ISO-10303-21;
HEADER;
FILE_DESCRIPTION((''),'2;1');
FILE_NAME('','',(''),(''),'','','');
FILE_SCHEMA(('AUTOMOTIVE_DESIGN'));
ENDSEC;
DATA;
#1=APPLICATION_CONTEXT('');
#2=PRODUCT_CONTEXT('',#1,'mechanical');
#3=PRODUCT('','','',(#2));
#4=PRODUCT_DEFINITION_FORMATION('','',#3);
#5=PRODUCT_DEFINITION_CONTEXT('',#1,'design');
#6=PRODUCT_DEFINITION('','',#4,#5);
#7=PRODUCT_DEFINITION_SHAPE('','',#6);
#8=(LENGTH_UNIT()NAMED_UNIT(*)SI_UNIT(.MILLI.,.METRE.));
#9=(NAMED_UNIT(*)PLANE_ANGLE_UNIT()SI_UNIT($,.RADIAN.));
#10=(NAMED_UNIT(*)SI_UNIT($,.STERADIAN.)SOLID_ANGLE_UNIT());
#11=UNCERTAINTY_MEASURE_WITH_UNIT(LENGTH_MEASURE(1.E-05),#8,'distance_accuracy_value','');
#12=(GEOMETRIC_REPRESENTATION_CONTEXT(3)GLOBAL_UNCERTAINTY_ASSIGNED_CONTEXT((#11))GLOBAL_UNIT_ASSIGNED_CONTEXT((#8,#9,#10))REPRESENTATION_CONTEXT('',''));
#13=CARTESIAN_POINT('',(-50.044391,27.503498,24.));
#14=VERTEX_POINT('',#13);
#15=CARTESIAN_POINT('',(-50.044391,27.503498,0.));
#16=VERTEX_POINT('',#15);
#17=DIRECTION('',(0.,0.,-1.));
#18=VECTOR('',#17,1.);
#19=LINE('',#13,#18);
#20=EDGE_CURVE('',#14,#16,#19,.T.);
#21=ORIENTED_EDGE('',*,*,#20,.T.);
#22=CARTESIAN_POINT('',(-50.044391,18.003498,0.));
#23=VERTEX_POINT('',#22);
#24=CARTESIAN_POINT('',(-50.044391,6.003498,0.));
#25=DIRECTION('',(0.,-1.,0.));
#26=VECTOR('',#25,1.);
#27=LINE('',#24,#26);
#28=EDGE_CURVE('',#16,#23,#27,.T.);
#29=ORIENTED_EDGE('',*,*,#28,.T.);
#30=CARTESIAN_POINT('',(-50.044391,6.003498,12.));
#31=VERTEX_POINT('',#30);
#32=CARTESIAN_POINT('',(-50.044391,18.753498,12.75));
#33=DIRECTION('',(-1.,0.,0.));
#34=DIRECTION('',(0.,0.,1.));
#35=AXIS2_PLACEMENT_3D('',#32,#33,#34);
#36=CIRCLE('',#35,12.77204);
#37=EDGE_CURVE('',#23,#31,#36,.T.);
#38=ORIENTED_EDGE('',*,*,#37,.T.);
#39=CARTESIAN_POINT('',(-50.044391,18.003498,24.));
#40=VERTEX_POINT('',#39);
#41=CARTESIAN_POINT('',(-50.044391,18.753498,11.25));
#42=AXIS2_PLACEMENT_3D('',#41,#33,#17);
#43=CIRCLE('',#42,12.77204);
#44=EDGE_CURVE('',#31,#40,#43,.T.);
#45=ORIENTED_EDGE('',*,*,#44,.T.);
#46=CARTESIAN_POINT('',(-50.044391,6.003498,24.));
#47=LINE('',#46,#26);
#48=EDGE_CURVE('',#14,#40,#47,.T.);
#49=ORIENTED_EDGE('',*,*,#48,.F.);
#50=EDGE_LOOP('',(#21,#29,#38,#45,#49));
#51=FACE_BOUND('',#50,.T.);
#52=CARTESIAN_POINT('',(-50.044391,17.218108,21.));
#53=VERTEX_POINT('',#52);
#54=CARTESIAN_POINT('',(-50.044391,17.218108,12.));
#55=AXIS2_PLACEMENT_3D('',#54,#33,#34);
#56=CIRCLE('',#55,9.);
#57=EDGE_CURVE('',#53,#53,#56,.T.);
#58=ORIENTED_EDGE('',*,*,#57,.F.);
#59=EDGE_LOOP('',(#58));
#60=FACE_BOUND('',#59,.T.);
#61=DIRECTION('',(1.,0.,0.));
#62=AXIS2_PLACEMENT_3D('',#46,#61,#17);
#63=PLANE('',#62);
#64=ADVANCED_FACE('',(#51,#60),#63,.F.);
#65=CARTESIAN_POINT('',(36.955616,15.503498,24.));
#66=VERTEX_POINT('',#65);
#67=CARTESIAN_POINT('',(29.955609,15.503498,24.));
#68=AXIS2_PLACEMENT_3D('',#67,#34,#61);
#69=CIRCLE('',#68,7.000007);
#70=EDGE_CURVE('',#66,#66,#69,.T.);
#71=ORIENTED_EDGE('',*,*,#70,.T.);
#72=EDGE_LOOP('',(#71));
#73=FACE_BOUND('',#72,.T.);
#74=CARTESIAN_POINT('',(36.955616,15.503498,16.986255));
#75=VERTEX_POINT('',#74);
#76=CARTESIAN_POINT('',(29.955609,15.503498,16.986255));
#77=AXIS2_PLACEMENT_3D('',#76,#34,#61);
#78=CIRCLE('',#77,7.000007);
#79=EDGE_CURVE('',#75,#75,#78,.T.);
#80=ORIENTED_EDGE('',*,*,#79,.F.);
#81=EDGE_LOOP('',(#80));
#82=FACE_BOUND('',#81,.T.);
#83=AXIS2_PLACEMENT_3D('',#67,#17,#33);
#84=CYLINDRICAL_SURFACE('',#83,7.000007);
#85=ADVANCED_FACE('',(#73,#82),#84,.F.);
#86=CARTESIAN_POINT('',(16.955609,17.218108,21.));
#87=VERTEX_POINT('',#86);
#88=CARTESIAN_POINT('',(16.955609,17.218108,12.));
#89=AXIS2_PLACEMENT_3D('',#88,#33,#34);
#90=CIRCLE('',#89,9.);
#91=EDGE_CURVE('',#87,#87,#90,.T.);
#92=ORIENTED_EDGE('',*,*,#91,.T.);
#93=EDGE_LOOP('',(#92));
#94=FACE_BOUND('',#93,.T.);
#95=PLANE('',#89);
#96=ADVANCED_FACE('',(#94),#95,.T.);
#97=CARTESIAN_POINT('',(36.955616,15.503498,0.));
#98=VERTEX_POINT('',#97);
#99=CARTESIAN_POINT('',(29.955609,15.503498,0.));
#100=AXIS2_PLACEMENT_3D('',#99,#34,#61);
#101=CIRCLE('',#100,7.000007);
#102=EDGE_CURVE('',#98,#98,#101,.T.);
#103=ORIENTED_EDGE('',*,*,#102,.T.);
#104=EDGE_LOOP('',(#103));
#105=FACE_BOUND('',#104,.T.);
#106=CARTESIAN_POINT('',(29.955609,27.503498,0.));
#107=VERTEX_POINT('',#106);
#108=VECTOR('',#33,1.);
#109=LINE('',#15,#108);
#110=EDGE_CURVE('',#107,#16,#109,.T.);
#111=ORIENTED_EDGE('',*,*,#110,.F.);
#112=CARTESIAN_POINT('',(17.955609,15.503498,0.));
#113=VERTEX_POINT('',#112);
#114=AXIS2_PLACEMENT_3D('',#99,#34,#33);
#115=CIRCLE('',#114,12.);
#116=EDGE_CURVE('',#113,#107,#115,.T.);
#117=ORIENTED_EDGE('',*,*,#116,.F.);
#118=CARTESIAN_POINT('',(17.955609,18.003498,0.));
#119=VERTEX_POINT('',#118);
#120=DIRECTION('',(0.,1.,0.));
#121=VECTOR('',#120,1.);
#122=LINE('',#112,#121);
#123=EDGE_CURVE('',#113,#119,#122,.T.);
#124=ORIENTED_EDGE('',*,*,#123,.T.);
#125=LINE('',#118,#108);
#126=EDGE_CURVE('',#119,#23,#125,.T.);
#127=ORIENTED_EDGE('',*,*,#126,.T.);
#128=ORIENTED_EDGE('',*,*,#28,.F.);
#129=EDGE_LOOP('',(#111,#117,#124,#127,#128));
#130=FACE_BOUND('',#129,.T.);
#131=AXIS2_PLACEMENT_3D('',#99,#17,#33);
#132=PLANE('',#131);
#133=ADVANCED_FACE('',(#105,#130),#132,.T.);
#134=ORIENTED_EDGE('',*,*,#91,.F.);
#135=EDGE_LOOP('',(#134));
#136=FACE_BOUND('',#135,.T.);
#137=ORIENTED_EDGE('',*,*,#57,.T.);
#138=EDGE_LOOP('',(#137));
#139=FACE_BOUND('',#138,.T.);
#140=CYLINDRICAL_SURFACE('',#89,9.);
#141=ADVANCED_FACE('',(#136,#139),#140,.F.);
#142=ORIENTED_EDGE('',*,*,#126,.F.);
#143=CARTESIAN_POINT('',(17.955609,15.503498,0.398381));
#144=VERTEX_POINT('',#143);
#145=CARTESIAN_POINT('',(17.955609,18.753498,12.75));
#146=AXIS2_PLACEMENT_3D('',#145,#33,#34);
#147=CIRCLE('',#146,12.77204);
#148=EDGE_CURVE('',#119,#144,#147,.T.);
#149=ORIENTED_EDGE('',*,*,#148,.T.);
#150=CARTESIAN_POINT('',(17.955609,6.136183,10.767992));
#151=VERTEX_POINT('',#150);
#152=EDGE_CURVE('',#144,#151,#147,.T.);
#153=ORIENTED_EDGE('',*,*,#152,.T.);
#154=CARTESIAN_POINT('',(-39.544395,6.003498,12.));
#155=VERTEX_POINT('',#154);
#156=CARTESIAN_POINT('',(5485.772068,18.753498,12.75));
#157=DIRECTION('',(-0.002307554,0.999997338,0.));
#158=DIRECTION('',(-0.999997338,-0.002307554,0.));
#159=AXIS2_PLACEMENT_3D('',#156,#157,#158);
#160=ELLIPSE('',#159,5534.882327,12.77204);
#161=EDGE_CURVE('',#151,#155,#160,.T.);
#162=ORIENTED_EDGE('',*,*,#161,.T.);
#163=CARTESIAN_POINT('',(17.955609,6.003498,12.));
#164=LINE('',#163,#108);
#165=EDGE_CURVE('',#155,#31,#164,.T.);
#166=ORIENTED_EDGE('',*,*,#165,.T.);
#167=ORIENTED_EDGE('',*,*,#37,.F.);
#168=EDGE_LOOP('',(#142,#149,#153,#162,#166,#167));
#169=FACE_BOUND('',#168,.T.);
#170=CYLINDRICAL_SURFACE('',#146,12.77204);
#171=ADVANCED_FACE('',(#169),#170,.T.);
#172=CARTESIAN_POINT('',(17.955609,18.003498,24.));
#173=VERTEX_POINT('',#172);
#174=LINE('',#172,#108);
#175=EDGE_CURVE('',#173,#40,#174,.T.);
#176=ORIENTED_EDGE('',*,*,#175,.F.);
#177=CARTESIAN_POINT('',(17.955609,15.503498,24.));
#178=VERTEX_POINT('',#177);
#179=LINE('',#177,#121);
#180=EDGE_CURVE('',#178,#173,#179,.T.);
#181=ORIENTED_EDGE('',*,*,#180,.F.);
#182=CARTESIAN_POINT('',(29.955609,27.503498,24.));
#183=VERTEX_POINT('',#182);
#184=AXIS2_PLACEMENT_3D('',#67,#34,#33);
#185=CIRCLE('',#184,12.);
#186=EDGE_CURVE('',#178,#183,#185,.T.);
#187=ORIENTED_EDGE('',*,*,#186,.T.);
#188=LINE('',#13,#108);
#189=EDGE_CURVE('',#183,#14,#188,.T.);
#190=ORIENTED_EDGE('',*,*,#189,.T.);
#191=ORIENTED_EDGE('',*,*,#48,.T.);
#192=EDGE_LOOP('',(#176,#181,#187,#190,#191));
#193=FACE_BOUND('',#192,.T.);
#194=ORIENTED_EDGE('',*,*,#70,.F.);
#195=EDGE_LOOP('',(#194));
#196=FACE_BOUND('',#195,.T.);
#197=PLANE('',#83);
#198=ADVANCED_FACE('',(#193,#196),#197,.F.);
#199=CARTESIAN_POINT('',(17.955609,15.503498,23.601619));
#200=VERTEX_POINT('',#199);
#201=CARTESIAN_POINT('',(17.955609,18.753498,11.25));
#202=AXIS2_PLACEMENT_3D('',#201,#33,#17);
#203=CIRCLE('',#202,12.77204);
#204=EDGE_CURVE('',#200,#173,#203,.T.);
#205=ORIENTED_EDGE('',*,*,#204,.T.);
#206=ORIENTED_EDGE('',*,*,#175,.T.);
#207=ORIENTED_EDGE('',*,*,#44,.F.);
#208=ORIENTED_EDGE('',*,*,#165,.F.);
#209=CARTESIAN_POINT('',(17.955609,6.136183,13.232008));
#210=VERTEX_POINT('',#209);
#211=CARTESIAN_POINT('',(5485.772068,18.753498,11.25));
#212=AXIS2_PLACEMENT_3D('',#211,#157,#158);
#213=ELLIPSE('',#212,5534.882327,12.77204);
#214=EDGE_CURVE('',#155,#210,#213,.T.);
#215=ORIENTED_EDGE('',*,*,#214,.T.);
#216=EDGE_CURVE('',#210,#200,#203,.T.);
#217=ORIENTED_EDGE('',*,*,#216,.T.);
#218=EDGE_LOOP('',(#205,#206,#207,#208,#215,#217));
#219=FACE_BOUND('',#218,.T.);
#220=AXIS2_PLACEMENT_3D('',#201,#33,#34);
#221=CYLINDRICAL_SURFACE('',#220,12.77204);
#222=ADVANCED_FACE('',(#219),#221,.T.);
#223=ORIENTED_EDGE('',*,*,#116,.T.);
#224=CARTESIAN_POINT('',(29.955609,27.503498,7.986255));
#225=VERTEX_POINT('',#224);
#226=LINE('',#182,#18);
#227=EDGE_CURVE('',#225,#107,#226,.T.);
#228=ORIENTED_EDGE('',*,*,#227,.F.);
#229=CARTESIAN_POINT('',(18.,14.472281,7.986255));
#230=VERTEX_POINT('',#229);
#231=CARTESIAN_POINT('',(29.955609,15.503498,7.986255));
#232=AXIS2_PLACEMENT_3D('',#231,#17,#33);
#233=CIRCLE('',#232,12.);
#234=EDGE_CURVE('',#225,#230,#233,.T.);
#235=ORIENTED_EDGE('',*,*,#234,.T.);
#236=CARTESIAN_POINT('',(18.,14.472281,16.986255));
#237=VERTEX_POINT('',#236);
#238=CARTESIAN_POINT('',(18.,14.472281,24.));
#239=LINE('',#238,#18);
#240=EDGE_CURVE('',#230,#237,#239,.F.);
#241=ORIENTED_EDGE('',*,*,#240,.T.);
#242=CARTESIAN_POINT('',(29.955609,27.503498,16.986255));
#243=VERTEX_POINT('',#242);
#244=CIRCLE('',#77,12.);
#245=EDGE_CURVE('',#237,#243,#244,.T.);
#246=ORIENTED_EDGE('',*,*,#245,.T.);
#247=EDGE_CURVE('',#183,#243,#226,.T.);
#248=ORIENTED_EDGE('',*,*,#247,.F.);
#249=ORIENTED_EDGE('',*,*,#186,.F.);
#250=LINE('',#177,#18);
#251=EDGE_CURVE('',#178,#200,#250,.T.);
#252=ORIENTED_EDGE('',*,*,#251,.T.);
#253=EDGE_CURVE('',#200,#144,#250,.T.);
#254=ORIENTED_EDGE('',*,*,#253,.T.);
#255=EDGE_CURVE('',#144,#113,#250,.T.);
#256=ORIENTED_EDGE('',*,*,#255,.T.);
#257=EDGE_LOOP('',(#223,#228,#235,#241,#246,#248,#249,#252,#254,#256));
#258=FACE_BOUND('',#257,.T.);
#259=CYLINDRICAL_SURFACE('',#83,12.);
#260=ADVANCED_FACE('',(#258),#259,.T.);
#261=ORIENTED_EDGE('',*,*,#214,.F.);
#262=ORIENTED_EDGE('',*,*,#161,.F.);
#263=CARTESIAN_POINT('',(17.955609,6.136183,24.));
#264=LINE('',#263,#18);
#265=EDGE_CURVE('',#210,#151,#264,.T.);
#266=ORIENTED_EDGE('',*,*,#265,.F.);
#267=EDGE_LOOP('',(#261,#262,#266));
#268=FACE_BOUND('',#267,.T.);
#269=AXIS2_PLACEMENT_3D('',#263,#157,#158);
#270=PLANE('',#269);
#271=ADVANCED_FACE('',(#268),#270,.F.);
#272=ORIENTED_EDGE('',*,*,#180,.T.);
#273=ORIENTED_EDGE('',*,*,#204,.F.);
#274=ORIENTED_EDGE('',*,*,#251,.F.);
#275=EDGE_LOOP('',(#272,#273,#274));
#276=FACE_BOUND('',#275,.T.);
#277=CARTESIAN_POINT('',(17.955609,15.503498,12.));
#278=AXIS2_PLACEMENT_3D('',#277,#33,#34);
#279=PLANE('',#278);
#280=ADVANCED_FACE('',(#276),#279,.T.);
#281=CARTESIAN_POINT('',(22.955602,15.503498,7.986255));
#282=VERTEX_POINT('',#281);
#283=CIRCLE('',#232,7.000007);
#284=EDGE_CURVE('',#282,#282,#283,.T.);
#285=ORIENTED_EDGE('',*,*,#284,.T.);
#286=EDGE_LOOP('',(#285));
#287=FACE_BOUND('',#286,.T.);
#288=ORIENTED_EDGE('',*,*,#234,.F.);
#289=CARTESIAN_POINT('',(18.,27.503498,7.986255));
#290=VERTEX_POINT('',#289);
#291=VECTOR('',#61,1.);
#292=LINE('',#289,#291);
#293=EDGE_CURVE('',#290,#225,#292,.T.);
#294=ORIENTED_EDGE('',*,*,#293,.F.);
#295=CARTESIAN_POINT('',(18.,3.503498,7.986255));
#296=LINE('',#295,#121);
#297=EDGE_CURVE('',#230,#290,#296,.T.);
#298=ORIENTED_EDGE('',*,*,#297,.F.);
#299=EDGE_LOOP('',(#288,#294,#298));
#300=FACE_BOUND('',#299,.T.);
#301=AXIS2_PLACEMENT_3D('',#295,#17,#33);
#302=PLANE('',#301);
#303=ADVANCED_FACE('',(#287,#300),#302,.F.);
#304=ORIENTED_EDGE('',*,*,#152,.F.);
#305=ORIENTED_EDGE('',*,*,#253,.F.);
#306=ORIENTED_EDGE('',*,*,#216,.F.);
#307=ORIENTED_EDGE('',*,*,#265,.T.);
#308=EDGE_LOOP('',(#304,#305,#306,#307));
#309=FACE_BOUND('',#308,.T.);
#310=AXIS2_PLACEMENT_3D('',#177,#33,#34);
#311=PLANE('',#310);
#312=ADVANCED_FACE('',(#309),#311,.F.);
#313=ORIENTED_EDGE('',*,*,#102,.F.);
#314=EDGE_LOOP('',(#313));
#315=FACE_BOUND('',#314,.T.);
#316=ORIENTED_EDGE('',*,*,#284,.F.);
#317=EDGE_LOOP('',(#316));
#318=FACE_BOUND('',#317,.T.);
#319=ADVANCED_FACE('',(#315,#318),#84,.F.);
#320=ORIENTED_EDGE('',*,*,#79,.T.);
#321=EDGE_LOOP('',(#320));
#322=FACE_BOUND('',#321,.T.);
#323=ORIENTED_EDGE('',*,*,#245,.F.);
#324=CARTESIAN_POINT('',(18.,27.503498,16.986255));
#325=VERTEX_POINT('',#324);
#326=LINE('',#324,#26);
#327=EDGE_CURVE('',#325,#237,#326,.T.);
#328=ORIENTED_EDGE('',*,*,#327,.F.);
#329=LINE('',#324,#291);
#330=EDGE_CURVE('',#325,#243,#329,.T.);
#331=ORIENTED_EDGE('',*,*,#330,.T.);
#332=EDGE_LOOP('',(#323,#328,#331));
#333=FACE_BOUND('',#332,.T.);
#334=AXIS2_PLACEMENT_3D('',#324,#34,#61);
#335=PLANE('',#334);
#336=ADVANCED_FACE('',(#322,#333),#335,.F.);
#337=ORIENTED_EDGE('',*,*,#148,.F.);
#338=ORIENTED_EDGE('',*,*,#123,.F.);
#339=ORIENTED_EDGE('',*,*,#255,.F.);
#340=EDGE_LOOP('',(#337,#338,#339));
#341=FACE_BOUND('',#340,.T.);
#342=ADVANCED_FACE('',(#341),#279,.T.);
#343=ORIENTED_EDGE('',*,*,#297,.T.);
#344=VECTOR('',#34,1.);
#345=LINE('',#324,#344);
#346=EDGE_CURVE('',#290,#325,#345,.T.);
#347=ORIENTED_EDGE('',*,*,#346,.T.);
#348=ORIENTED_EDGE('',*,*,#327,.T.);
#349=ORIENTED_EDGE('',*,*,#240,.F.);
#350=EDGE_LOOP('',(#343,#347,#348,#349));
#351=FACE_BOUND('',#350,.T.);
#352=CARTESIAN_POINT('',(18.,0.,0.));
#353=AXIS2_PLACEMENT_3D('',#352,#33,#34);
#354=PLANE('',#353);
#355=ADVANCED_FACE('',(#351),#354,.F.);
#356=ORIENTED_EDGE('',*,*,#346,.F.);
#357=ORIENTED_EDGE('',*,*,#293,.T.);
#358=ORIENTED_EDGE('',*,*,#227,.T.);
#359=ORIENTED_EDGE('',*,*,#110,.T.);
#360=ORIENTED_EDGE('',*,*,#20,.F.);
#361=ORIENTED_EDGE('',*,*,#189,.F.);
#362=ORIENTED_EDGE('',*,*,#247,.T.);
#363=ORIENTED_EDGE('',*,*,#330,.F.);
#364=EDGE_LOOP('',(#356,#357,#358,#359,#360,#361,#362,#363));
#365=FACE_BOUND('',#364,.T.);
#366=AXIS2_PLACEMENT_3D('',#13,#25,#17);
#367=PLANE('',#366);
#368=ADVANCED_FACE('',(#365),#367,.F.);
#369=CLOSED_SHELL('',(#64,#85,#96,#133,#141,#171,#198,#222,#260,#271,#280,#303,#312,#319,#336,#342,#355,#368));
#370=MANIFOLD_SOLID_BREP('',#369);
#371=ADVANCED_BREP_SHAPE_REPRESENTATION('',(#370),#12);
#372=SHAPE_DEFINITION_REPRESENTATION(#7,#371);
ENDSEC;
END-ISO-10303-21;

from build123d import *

# Parameters (mm, degrees)
SKETCH1_R           = 7.00000696
BOSS_EXTRUDE1_DEPTH = 24
SKETCH2_W           = 9
SKETCH2_H           = 24
CUT_EXTRUDE1_DEPTH  = 32
SKETCH3_OUTSIDE_W   = 45.612
SKETCH3_OUTSIDE_H   = 45.612
CUT_EXTRUDE3_DEPTH  = 68
SKETCH4_R           = 9
CUT_EXTRUDE4_DEPTH  = 67


with BuildPart() as part:
    # Sketch1 → Boss-Extrude1 (new body)
    with BuildSketch(Plane.XY):
        with BuildLine():
            Line((-50.044390832, 27.503498209), (29.955609168, 27.503498209))
            ThreePointArc((29.955609168, 27.503498209), (38.440890542, 7.018216834), (17.955609168, 15.503498209))
            Line((17.955609168, 15.503498209), (17.955609168, 6.136182916))
            Line((17.955609168, 6.136182916), (-39.544390832, 6.003498209))
            Line((-39.544390832, 6.003498209), (-39.544390832, 5.015222645))
            Line((-39.544390832, 5.015222645), (-48.572054411, 5.015222645))
            Line((-48.572054411, 5.015222645), (-48.572054411, 6.003498173))
            Line((-48.572054411, 6.003498173), (-50.044390832, 6.003498173))
            Line((-50.044390832, 6.003498173), (-50.044390832, 27.503498209))
        make_face()
        with Locations((29.955609168, 15.503498209)):
            Circle(SKETCH1_R, mode=Mode.SUBTRACT)
    extrude(amount=BOSS_EXTRUDE1_DEPTH)

    # Sketch2 → Cut-Extrude1 (cut)
    with BuildSketch(Plane(origin=(50, 0, 0), x_dir=(0, 0, -1), z_dir=(1, 0, 0))):
        with Locations((-12.486255169, 15.503498209)):
            Rectangle(SKETCH2_W, SKETCH2_H)
    extrude(amount=-CUT_EXTRUDE1_DEPTH, mode=Mode.SUBTRACT)

    # Sketch3 outside → Cut-Extrude3 (cut)
    with BuildSketch(Plane.ZY.offset(50.044390832)):
        with Locations((12, 15.503)):
            Rectangle(SKETCH3_OUTSIDE_W, SKETCH3_OUTSIDE_H)
        with BuildLine():
            Line((0, 27.503498209), (24, 27.503498209))
            Line((24, 27.503498209), (24, 19.503498209))
            ThreePointArc((24, 19.503498209), (20.795941553, 10.268216816), (12, 6.003498173))
            ThreePointArc((12, 6.003498173), (3.204058447, 10.268216816), (0, 19.503498209))
            Line((0, 19.503498209), (0, 27.503498209))
        make_face(mode=Mode.SUBTRACT)
    extrude(amount=-CUT_EXTRUDE3_DEPTH, mode=Mode.SUBTRACT)

    # Sketch4 → Cut-Extrude4 (cut)
    with BuildSketch(Plane.ZY.offset(50.044390832)):
        with Locations((12, 17.218107651)):
            Circle(SKETCH4_R)
    extrude(amount=-CUT_EXTRUDE4_DEPTH, mode=Mode.SUBTRACT)


solid = part.part
